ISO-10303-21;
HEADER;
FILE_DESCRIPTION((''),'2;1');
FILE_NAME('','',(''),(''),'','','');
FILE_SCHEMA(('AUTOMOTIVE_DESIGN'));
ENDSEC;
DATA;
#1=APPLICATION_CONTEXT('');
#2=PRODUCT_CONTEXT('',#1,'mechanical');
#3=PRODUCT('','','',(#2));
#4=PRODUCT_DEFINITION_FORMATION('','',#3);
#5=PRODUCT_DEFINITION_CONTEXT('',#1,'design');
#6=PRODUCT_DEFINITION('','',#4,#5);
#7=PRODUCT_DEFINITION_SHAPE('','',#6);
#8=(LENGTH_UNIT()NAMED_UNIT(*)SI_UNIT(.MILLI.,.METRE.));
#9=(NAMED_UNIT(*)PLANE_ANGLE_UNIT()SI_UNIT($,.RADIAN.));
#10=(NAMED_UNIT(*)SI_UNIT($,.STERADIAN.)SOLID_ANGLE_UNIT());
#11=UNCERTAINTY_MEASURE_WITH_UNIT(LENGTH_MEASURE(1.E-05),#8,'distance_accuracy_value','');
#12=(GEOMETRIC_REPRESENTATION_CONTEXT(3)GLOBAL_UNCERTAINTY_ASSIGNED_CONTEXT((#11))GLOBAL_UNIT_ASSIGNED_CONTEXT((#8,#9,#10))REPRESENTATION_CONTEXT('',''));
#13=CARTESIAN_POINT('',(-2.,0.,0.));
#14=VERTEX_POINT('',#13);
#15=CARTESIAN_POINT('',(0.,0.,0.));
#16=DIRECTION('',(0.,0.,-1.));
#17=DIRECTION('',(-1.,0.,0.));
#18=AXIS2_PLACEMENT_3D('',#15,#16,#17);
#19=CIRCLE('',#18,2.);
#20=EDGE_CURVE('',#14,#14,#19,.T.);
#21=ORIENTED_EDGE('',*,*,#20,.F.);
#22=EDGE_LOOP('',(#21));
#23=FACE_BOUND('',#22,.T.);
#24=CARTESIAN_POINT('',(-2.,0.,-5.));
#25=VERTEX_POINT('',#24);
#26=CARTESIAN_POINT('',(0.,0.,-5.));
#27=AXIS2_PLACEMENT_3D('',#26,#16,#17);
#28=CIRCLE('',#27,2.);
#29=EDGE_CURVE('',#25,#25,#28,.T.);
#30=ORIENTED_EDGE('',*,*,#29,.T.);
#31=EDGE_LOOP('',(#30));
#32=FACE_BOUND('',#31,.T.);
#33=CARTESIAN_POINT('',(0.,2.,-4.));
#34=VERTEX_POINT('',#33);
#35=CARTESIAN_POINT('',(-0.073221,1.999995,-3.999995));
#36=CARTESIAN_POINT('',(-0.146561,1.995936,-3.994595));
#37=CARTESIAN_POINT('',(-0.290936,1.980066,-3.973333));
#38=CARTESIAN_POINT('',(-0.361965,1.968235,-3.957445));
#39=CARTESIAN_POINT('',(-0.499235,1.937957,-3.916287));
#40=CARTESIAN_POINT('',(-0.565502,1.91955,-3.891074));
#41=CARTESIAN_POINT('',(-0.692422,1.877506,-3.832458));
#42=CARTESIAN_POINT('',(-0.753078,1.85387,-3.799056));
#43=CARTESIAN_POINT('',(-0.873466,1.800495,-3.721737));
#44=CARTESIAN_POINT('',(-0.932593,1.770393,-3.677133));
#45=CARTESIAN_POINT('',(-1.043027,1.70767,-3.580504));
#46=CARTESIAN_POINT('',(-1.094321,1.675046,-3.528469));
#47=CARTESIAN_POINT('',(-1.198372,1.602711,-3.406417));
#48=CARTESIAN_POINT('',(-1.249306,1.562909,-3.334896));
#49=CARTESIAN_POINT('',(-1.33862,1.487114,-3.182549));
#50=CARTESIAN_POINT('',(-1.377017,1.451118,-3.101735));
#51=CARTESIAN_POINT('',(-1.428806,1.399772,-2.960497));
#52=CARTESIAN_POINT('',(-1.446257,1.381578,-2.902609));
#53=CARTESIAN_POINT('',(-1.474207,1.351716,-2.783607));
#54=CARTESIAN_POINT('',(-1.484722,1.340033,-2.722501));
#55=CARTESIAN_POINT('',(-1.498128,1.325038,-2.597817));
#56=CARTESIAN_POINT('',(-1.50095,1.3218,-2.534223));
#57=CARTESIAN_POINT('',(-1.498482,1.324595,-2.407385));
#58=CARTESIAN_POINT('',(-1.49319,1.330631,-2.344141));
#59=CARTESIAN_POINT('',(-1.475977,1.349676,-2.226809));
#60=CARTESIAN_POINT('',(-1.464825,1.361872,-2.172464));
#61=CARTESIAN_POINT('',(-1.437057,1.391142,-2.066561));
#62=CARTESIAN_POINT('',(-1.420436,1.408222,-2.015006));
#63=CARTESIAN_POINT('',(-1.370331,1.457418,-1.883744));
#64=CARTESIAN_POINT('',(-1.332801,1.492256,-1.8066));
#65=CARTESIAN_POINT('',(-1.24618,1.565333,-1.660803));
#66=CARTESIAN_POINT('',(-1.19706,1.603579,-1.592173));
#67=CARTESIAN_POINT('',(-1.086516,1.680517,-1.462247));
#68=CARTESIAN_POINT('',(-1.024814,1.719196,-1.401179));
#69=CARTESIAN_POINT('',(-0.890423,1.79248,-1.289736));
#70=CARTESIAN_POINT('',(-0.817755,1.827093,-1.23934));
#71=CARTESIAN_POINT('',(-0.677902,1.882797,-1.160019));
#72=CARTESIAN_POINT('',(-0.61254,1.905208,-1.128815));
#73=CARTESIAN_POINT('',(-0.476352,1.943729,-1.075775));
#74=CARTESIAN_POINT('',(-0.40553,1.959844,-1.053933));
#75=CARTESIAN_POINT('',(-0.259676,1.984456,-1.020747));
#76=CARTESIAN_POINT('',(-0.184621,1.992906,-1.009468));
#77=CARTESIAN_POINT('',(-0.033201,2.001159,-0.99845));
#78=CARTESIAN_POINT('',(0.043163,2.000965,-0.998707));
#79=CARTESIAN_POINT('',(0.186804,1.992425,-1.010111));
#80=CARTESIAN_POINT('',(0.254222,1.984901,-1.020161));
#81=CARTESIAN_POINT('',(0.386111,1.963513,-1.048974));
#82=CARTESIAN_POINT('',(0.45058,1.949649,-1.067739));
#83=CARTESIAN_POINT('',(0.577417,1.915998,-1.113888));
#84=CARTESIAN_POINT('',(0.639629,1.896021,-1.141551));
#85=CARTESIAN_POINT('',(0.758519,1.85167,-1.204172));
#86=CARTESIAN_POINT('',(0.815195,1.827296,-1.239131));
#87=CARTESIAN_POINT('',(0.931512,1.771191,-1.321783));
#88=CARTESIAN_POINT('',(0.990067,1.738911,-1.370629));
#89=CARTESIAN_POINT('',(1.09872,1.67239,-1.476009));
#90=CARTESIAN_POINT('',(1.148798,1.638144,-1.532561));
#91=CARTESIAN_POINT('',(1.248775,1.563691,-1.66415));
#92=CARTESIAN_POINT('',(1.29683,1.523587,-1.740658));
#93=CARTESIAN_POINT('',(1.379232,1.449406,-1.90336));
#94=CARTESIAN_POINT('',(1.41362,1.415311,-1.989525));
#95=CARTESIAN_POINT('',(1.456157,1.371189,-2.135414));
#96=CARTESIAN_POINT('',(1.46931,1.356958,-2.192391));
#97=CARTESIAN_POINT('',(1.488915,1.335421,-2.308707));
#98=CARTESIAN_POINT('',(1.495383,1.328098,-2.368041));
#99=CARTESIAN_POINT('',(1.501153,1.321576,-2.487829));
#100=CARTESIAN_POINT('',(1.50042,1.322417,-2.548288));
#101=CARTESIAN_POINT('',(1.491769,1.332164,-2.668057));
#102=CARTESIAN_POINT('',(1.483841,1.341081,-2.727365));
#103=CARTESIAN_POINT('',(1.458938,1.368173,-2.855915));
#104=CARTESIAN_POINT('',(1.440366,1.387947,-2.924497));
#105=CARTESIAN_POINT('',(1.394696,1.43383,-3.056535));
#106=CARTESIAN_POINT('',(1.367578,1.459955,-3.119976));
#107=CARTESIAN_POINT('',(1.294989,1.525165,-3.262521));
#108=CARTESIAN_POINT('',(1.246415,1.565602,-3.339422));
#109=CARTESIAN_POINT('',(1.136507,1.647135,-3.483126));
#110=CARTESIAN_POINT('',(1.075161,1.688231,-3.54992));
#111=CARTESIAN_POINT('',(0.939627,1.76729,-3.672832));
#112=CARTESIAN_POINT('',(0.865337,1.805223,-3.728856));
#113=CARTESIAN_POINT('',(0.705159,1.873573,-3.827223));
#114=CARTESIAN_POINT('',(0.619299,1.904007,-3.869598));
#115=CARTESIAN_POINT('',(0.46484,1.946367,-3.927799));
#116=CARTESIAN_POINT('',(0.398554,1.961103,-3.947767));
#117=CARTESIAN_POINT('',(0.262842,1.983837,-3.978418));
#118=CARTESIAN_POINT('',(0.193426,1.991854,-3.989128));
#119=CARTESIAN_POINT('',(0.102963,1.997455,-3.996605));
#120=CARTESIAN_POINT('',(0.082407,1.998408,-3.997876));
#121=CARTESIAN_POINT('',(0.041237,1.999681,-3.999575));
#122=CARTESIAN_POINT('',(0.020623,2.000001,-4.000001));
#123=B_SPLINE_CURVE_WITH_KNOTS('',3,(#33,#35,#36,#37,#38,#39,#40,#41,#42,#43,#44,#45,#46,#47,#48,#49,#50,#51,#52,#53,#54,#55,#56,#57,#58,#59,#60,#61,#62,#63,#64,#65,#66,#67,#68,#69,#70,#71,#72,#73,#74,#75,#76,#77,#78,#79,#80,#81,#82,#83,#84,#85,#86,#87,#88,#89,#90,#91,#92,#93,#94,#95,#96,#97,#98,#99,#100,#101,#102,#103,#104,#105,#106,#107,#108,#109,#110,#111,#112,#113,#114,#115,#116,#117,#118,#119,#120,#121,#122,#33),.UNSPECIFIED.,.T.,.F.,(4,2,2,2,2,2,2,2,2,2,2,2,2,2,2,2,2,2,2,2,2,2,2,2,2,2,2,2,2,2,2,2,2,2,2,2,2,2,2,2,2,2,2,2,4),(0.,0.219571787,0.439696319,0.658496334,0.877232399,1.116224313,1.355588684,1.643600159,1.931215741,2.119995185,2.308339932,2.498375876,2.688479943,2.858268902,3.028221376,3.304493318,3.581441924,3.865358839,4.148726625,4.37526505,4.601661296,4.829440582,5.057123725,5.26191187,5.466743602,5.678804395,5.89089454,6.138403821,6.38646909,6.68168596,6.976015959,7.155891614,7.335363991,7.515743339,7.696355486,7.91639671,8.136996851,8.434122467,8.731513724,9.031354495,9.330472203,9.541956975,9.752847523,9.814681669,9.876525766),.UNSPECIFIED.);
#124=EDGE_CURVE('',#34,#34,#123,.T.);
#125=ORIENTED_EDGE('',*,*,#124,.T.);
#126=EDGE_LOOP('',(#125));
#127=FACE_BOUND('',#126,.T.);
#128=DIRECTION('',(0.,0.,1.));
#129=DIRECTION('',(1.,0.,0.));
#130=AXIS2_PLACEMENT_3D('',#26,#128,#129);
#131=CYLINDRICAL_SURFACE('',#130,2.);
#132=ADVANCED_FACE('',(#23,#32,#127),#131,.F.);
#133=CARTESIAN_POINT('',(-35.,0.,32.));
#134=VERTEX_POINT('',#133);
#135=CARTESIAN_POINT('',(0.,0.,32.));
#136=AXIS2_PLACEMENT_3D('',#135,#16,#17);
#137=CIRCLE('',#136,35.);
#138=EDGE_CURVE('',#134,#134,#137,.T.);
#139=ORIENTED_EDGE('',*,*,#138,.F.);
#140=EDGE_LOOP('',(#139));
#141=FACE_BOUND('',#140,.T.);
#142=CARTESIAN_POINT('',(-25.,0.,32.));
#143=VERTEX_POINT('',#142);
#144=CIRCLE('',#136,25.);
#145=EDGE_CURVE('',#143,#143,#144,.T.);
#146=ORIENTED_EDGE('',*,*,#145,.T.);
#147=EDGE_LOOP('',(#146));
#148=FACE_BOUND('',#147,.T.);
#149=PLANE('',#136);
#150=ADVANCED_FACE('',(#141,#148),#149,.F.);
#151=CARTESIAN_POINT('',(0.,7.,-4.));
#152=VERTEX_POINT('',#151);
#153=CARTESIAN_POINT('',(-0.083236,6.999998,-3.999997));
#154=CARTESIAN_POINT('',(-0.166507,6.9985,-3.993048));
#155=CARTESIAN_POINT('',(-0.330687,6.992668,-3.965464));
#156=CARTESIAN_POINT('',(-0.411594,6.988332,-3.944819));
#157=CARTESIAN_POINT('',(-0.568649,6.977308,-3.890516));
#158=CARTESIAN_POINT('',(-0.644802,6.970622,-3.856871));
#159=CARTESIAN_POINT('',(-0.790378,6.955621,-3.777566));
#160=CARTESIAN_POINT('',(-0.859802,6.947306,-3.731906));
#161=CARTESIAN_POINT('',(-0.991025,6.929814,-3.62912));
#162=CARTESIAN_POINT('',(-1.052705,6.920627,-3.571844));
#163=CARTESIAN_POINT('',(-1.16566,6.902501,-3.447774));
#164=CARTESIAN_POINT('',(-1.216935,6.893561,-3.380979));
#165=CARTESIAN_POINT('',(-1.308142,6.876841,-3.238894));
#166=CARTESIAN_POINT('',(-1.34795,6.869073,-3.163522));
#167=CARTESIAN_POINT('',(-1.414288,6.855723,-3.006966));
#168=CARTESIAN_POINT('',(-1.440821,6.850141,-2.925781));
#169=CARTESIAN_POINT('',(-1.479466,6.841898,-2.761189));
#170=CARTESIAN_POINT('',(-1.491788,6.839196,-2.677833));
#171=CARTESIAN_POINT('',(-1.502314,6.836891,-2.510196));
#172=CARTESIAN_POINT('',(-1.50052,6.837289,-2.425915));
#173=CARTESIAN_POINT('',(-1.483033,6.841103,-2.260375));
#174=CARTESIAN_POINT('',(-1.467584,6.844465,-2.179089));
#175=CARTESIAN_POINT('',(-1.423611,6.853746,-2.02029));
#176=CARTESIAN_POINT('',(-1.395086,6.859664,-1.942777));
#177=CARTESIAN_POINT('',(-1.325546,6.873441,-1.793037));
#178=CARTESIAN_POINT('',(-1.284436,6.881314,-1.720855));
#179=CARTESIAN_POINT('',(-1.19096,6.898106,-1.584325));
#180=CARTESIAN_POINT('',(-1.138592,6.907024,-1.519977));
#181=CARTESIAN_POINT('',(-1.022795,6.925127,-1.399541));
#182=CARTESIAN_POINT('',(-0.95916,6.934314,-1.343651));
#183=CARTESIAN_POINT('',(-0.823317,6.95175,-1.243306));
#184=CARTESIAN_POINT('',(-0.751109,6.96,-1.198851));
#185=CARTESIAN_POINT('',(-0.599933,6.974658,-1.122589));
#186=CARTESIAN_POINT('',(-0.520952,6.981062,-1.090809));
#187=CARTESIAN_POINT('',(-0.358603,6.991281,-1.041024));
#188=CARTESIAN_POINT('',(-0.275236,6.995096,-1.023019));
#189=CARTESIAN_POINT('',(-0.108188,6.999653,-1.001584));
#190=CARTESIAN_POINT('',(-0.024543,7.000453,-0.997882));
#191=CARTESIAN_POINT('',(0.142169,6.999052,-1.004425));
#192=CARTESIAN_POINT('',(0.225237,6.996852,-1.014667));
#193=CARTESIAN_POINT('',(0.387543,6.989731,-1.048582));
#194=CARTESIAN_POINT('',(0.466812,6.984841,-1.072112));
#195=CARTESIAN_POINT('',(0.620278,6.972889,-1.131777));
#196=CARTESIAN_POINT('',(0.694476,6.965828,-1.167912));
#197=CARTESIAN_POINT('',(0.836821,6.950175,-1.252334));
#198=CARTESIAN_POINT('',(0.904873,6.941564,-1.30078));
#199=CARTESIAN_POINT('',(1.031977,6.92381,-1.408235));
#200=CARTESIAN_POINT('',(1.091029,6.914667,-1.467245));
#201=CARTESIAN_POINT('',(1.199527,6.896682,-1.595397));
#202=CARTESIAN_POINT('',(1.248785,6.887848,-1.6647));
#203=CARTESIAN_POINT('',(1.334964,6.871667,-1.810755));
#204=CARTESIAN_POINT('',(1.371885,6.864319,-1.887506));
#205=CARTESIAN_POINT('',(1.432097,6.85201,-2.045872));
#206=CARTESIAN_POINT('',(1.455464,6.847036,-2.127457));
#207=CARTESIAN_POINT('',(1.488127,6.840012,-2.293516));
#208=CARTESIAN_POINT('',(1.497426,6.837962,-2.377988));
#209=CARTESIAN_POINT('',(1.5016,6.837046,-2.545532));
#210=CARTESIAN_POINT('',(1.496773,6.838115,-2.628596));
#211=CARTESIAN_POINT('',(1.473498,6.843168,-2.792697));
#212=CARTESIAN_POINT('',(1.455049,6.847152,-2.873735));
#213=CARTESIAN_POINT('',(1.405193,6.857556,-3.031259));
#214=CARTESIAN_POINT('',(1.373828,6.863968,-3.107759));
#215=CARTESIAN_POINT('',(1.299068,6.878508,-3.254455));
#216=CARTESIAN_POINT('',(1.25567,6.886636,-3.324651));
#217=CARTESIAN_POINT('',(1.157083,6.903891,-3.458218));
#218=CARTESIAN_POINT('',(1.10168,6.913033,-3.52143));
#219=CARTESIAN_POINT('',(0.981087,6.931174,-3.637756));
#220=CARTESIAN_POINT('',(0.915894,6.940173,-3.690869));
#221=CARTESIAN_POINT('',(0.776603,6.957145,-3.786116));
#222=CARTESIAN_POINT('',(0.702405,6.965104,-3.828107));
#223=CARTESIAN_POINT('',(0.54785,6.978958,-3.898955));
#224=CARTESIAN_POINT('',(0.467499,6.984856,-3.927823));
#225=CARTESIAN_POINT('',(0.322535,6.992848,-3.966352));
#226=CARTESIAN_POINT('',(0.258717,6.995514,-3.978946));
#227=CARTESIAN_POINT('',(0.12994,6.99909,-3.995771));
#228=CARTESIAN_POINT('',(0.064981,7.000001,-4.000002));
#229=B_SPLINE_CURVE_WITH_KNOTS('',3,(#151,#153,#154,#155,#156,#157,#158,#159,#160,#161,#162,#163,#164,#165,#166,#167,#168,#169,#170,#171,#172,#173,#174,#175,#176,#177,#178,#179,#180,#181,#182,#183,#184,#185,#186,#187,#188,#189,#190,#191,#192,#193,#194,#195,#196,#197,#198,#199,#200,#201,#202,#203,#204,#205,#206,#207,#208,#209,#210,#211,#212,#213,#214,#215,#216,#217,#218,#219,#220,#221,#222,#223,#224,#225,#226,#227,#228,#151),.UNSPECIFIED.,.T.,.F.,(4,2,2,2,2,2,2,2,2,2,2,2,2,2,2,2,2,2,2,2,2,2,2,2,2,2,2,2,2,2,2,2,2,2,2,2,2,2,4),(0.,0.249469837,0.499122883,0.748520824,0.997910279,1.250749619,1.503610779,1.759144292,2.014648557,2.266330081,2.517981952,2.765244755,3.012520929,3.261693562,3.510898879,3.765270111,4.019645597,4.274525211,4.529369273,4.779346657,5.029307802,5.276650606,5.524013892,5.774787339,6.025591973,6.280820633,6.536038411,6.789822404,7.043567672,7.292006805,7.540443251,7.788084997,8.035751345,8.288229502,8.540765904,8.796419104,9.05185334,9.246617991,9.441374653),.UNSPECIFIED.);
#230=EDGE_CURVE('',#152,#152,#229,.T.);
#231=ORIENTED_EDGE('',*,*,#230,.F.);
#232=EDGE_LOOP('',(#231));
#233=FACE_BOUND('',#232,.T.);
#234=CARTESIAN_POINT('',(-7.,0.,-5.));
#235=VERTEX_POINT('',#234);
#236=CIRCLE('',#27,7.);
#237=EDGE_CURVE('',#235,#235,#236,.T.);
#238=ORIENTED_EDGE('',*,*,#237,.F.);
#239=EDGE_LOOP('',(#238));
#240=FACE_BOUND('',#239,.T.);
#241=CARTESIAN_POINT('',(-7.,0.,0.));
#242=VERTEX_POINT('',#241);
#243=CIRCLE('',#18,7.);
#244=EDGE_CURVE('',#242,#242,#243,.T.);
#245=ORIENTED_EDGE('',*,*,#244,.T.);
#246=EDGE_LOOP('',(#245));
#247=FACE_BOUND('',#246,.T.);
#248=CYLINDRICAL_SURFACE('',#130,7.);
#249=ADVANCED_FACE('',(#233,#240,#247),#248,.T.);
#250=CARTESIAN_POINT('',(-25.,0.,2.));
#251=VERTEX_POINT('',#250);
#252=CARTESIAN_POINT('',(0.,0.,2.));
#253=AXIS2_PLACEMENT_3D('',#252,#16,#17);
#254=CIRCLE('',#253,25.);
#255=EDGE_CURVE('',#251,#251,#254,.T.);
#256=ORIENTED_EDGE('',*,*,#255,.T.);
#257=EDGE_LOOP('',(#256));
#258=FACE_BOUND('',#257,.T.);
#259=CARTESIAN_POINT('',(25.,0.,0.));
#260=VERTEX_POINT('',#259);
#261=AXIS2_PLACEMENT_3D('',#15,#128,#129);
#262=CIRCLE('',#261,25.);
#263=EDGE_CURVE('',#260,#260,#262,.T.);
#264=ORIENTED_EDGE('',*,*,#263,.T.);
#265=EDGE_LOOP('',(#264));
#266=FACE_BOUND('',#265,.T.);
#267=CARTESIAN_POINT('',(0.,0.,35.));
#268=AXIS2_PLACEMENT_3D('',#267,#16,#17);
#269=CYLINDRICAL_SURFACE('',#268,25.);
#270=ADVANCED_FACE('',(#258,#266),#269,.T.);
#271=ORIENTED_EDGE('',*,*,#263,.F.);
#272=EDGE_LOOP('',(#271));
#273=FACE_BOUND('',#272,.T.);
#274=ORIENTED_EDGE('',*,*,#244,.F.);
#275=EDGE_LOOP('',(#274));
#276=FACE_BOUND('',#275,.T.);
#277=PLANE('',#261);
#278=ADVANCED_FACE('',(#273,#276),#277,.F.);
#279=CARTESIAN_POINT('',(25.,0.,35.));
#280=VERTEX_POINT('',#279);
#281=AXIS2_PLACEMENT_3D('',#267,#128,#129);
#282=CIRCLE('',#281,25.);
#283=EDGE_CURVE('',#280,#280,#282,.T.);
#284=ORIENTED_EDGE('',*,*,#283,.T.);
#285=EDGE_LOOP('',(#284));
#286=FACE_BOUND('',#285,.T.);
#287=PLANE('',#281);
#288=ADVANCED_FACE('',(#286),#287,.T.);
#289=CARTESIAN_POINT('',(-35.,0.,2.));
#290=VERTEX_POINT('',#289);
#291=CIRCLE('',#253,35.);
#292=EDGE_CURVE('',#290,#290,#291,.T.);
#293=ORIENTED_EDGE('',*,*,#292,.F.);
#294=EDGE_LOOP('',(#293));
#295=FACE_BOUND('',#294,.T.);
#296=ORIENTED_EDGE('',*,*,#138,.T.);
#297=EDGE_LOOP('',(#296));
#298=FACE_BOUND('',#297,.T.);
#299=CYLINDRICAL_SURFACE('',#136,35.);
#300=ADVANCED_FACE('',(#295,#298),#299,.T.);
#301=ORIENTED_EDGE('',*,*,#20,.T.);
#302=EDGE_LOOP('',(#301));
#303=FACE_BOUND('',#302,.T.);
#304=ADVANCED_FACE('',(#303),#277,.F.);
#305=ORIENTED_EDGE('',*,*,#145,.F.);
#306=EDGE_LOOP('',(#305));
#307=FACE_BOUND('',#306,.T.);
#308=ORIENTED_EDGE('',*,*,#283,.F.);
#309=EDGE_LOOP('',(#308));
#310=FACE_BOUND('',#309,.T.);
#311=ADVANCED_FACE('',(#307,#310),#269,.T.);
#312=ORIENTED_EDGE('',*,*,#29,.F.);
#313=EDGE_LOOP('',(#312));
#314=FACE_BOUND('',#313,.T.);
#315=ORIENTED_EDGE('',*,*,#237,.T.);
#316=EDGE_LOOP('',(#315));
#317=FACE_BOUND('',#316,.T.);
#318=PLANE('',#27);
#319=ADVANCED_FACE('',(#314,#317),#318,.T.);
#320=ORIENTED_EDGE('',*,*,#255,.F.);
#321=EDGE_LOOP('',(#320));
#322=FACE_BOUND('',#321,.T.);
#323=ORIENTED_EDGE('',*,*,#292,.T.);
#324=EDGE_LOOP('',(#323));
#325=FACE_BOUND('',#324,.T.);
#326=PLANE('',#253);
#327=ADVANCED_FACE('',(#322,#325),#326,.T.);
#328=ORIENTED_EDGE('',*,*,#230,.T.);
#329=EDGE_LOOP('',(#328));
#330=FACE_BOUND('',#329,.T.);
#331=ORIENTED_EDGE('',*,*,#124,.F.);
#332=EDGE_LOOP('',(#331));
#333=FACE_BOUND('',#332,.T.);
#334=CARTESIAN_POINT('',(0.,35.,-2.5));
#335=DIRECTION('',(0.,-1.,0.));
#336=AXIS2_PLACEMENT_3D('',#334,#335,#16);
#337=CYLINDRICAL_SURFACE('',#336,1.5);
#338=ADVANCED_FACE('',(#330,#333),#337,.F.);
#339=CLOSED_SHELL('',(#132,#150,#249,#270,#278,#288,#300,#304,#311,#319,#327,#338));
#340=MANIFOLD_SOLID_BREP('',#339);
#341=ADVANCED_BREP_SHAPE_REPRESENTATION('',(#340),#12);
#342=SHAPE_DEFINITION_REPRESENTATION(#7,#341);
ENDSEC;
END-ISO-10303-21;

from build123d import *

# Parameters (mm, degrees)
ESQUISSE1_R             = 25
BOSS_EXTRU_1_DEPTH      = 35
BOSS_EXTRU_2_START      = -2
ESQUISSE3_R             = 35
ESQUISSE3_R_2           = 25
BOSS_EXTRU_2_DEPTH      = 30
ESQUISSE4_R             = 7
ESQUISSE4_R_2           = 2
BOSS_EXTRU_3_DEPTH      = 5
ESQUISSE5_R             = 1.5
ENL_V_MAT_EXTRU_1_DEPTH = 61.621778265


with BuildPart() as part:
    # Esquisse1 → Boss.-Extru.1 (new body)
    with BuildSketch(Plane.XY):
        Circle(ESQUISSE1_R)
    extrude(amount=BOSS_EXTRU_1_DEPTH)

    # Esquisse3 → Boss.-Extru.2 (add)
    with BuildSketch(Plane(origin=(0, 0, 0), x_dir=(-1, 0, 0), z_dir=(0, 0, -1)).offset(BOSS_EXTRU_2_START)):
        Circle(ESQUISSE3_R)
        Circle(ESQUISSE3_R_2, mode=Mode.SUBTRACT)
    extrude(amount=-BOSS_EXTRU_2_DEPTH)

    # Esquisse4 → Boss.-Extru.3 (add)
    with BuildSketch(Plane(origin=(0, 0, 0), x_dir=(-1, 0, 0), z_dir=(0, 0, -1))):
        Circle(ESQUISSE4_R)
        Circle(ESQUISSE4_R_2, mode=Mode.SUBTRACT)
    extrude(amount=BOSS_EXTRU_3_DEPTH)

    # Esquisse5 → Enlèv. mat.-Extru.1 (cut, through all)
    with BuildSketch(Plane(origin=(0, 0, 0), x_dir=(1, 0, 0), z_dir=(0, 1, 0))):
        with Locations(Location((0, 2.5, 0), (0, 0, 90))):
            Circle(ESQUISSE5_R)
    extrude(amount=ENL_V_MAT_EXTRU_1_DEPTH, mode=Mode.SUBTRACT)


solid = part.part
